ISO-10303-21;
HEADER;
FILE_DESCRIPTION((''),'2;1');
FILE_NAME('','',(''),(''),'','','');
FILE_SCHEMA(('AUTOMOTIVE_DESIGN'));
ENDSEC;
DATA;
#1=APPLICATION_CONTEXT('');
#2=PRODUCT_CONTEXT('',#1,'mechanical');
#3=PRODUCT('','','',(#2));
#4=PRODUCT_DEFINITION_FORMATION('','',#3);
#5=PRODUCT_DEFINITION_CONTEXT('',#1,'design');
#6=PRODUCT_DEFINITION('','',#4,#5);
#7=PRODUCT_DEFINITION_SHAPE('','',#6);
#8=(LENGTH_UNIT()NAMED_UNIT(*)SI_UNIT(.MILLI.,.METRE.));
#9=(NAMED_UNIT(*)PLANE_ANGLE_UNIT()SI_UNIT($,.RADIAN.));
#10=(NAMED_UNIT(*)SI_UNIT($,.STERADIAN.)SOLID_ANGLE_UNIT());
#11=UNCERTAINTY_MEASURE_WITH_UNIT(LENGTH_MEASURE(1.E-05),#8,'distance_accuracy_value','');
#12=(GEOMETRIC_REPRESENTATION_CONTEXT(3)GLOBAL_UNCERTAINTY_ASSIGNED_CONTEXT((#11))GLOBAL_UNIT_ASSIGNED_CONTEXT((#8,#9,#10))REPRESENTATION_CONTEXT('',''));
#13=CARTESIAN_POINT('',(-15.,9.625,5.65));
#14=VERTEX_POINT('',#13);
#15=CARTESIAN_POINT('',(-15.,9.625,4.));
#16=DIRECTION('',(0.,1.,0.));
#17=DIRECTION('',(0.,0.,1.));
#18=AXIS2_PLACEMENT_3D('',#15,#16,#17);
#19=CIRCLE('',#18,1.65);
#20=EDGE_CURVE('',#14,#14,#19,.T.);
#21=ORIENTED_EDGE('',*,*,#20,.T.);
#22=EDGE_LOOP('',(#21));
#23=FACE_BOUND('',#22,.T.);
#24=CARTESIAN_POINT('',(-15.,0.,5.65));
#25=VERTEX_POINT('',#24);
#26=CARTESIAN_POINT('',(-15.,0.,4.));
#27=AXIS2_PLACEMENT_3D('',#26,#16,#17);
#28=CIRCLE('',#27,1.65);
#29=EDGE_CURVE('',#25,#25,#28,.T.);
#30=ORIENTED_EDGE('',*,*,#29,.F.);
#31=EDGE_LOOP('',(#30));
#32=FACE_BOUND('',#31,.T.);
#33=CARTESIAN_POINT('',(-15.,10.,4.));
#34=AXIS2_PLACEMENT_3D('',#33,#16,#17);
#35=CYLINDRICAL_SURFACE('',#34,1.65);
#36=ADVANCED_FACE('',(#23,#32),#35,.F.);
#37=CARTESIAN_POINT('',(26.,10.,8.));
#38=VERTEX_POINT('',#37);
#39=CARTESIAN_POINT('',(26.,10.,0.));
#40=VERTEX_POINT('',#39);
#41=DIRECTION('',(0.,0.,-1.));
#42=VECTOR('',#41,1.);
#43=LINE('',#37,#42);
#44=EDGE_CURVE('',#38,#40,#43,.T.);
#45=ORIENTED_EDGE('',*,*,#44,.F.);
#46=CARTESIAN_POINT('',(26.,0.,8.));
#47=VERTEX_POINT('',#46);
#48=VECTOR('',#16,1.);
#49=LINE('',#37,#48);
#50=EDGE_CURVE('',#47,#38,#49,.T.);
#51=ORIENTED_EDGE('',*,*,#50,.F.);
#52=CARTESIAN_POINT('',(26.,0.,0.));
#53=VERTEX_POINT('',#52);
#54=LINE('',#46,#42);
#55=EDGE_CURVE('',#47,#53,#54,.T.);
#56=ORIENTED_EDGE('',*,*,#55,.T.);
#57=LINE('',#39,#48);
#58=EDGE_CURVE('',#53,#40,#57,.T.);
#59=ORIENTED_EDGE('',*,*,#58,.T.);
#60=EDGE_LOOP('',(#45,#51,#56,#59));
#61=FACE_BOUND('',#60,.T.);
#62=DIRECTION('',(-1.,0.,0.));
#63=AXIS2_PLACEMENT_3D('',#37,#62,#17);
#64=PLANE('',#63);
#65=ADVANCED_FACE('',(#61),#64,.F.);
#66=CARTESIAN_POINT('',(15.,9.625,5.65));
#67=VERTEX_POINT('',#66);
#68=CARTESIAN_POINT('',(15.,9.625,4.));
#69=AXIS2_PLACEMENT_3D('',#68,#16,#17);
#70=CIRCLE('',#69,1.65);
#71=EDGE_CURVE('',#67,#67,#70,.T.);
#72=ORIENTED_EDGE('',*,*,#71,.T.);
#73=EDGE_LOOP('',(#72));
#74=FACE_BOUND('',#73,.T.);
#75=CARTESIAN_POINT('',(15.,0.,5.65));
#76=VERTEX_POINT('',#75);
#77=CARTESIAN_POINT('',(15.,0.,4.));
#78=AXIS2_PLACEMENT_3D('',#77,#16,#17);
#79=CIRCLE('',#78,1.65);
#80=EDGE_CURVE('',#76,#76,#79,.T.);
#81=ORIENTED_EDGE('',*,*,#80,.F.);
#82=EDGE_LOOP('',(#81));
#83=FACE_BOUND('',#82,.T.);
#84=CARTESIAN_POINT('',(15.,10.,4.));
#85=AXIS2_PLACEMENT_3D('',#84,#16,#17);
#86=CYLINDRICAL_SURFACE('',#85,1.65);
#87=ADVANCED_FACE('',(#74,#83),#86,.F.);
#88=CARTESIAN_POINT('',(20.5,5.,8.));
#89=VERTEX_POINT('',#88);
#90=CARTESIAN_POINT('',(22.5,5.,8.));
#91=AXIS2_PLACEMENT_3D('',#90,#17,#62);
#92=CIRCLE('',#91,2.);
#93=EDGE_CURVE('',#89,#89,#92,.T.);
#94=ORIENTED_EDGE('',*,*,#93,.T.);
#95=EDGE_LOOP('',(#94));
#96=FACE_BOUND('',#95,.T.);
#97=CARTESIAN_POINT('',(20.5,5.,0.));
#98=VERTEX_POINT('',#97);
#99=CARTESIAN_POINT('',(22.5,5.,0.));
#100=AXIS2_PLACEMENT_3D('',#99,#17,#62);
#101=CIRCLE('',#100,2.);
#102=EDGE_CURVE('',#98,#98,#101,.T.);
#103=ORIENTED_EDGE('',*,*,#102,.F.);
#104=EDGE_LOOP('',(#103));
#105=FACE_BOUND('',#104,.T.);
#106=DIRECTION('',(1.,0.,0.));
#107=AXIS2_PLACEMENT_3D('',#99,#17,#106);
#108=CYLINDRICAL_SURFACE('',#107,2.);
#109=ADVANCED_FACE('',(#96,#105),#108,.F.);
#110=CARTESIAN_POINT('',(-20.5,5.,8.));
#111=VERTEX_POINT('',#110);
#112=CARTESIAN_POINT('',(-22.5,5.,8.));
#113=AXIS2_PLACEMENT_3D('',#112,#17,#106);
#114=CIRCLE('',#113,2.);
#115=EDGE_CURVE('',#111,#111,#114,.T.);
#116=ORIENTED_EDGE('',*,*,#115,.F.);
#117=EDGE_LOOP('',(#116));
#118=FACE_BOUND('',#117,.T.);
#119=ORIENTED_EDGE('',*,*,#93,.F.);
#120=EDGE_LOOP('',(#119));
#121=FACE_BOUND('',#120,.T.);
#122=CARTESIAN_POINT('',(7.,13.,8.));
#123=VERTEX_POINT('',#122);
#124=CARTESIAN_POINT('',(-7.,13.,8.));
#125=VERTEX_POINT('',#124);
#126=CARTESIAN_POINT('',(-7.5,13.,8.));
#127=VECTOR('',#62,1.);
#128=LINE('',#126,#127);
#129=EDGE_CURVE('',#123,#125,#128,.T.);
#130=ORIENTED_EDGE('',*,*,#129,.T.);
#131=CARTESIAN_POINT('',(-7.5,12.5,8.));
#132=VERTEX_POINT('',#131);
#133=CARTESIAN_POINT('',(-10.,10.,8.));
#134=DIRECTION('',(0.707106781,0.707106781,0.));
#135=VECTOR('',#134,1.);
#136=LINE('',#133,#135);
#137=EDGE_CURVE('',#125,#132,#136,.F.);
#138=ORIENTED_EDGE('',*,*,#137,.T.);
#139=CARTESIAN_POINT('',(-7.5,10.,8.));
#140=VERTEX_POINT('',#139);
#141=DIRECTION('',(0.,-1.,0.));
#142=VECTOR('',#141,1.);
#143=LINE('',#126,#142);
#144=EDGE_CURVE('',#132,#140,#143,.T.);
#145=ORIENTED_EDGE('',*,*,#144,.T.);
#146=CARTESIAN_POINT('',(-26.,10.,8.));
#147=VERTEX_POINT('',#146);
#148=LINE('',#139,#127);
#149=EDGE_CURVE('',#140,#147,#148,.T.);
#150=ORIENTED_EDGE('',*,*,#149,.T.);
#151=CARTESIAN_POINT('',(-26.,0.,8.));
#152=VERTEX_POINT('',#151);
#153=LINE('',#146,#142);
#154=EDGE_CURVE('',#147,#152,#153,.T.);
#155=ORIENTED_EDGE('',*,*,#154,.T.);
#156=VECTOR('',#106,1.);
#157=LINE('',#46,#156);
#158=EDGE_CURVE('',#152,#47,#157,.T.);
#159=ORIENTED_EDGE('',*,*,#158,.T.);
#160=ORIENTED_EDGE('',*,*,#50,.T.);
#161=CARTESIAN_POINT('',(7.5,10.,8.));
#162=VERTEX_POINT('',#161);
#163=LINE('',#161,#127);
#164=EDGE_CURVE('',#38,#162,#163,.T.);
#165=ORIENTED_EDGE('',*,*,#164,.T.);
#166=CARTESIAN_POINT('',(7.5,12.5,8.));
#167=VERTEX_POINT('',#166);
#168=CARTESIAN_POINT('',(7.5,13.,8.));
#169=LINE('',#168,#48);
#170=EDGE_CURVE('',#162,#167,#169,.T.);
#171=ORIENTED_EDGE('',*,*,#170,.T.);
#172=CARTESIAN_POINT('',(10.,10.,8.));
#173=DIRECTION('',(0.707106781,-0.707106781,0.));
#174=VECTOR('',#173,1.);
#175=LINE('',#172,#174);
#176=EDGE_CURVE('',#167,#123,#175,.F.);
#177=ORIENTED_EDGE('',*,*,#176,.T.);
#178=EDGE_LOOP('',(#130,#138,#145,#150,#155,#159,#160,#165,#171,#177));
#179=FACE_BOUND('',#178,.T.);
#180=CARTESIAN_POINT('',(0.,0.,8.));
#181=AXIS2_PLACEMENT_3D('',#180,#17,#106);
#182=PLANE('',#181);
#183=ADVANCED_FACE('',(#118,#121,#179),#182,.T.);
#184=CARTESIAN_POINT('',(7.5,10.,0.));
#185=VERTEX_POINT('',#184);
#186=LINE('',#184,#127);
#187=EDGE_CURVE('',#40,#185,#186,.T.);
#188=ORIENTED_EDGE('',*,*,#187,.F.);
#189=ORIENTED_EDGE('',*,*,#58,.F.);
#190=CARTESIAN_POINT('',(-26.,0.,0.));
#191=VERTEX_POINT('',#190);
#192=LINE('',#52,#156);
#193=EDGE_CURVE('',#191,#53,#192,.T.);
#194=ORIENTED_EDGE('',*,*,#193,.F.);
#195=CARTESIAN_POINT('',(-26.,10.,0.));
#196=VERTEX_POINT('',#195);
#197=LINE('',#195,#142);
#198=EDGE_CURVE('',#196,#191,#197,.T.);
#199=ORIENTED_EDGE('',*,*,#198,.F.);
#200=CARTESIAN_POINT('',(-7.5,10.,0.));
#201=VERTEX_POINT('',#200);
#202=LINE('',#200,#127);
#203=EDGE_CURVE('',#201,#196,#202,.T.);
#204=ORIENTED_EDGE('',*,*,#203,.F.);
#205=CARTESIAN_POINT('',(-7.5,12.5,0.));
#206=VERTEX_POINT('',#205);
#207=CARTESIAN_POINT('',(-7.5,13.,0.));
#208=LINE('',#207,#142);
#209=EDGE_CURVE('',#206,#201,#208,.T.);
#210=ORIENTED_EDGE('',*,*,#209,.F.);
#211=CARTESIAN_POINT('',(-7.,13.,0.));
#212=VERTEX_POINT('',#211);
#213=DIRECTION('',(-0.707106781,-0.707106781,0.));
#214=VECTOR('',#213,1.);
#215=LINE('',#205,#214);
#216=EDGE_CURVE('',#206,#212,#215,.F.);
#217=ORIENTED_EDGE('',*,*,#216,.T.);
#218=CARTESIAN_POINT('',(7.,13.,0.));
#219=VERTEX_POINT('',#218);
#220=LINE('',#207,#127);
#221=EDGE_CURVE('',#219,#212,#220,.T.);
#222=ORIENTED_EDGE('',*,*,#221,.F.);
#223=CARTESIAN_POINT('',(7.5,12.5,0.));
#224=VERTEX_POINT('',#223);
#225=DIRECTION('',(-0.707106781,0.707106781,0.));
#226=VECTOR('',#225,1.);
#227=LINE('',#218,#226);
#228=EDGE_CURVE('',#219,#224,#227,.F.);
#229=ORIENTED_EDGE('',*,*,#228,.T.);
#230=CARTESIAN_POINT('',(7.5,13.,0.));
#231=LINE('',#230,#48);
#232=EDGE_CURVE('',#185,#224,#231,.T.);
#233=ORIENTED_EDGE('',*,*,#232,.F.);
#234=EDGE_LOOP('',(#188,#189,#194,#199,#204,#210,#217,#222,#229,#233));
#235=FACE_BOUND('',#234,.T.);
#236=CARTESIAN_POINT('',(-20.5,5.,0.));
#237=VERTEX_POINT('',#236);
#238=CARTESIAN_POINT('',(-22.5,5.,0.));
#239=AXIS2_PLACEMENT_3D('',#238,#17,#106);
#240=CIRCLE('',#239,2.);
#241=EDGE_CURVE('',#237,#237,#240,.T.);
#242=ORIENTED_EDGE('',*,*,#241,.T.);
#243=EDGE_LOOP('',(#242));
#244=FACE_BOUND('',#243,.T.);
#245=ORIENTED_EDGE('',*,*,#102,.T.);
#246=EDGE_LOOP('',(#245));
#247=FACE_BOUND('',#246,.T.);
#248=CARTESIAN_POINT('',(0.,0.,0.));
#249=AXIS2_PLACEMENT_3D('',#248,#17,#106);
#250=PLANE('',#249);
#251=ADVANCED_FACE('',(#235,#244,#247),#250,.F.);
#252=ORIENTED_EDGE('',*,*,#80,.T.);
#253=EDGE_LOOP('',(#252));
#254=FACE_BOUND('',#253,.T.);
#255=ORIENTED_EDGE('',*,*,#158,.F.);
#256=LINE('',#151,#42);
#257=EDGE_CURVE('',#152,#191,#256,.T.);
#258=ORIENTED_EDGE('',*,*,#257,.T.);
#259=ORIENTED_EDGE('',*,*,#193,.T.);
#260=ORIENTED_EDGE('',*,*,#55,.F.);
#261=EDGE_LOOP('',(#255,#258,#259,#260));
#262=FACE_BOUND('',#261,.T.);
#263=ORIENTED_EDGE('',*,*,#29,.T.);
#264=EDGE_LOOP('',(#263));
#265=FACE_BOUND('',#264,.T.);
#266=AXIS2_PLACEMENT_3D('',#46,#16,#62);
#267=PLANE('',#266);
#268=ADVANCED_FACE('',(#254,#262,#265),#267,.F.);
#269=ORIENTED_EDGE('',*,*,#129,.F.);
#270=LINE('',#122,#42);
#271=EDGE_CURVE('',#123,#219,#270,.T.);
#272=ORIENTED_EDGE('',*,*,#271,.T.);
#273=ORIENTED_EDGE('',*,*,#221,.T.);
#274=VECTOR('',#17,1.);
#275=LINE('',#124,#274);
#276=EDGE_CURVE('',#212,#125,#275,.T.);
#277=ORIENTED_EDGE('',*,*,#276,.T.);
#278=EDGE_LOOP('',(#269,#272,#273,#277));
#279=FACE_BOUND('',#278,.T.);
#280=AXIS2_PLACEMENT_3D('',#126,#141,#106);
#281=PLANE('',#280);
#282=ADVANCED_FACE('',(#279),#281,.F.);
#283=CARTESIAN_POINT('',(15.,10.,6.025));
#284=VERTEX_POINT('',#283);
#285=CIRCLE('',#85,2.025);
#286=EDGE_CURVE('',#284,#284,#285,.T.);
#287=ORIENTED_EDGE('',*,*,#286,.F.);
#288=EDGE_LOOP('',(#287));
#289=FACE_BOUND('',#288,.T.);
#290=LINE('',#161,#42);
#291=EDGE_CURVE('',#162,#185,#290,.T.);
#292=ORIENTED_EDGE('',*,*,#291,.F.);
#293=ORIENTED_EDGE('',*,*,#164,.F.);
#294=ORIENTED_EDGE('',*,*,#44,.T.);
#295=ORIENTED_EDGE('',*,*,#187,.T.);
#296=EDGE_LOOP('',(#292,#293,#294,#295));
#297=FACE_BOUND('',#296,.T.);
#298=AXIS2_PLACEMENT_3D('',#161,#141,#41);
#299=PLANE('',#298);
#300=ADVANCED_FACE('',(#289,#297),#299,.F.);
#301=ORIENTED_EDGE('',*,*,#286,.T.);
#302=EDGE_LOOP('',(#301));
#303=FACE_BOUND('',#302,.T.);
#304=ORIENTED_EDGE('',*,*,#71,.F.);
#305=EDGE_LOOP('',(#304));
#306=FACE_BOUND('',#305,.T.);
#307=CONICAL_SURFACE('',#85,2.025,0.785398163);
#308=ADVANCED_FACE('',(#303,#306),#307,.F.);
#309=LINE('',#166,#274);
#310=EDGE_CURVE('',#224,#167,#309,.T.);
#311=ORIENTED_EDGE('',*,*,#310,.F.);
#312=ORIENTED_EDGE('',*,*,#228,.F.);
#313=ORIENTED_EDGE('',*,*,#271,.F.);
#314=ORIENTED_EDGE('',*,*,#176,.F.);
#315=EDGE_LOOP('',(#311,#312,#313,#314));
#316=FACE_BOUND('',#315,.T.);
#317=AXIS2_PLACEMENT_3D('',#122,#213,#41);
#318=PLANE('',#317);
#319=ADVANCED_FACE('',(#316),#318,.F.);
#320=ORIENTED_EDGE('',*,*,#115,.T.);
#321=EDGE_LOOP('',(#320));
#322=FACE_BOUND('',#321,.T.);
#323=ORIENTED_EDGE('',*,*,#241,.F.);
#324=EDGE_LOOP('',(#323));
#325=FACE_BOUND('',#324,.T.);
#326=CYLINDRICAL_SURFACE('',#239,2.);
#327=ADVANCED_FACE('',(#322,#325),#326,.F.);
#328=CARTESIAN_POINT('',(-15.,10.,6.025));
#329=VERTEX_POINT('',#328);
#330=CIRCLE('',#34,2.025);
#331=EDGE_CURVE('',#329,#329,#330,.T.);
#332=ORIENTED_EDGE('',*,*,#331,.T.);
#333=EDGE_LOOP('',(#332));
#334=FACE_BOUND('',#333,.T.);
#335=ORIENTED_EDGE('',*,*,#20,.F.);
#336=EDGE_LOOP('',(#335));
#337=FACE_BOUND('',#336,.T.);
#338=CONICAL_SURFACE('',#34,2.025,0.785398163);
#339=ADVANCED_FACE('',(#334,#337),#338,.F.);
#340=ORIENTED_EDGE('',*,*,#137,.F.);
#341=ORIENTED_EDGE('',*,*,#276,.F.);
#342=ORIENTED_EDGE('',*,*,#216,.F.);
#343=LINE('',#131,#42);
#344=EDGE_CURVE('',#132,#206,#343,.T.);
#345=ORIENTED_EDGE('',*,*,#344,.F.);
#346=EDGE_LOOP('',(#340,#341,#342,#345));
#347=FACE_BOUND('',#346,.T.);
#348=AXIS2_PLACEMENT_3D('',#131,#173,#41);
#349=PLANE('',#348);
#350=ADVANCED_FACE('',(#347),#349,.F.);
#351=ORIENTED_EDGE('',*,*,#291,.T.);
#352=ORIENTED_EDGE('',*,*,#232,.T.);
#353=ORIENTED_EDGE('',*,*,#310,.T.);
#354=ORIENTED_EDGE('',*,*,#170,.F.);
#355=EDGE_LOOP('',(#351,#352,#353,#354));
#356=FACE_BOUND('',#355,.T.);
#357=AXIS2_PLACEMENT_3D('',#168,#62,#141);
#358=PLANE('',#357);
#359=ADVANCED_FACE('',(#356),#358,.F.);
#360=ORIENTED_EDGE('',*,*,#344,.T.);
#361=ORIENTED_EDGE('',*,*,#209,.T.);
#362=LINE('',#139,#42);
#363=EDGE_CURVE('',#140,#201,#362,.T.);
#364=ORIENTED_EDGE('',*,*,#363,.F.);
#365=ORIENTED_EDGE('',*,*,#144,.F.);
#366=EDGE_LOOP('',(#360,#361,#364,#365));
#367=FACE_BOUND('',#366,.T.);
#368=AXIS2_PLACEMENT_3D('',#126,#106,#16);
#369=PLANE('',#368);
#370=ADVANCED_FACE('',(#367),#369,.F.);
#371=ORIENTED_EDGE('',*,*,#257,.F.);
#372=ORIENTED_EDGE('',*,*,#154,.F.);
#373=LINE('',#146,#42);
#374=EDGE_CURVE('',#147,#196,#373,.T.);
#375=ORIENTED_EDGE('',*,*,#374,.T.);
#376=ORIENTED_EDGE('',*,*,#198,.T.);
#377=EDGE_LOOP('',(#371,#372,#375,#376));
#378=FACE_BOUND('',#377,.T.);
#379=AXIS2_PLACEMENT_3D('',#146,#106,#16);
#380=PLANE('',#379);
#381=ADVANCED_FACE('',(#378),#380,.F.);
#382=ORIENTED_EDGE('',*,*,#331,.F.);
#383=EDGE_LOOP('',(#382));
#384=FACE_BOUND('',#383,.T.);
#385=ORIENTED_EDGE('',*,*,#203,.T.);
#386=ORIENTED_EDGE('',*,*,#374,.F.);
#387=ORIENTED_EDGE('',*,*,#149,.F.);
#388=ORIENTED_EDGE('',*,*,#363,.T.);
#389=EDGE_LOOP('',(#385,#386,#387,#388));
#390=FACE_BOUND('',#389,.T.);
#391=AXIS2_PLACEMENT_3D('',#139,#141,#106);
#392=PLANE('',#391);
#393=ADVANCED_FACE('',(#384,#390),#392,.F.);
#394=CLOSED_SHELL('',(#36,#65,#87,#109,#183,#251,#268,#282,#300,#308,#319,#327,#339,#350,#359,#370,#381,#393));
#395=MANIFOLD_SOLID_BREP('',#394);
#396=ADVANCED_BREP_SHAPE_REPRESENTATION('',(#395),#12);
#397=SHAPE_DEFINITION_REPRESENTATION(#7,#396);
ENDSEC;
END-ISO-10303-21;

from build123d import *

# Parameters (mm, degrees)
EXTRUDE_1_DEPTH              = 8
SKETCH_4_R                   = 2
CUT_EXTRUDE_3_DEPTH          = 31.149626863
HOLE_WIZARD_M4_1_D           = 3.3
HOLE_WIZARD_M4_1_DEPTH       = 10
HOLE_WIZARD_M4_1_CSINK_D     = 4.05
HOLE_WIZARD_M4_1_CSINK_ANGLE = 90
HOLE_WIZARD_M4_1_TIP         = 0.991420021
CHAMFER_1_SIZE               = 0.5


with BuildPart() as part:
    # 草图2 → 凸台-拉伸1 (new body)
    with BuildSketch(Plane.XY):
        Polygon((-7.5, 13), (7.5, 13), (7.5, 10), (26, 10), (26, 0), (-26, 0), (-26, 10), (-7.5, 10), align=None)
    extrude(amount=EXTRUDE_1_DEPTH)

    # 草图4 → 切除-拉伸3 (cut, through all)
    with BuildSketch(Plane.XY.offset(8)):
        with Locations((-22.5, 5)):
            Circle(SKETCH_4_R)
        with Locations(Location((22.5, 5, 0), (0, 0, 180))):
            Circle(SKETCH_4_R)
    extrude(amount=-CUT_EXTRUDE_3_DEPTH, mode=Mode.SUBTRACT)

    # M4 螺纹孔1
    with Locations(Plane(origin=(-15, 10, 4), x_dir=(1, 0, 0), z_dir=(0, 1, 0))):
        with Locations((0, 0), (30, 0)):
            CounterSinkHole(HOLE_WIZARD_M4_1_D / 2, HOLE_WIZARD_M4_1_CSINK_D / 2, depth=HOLE_WIZARD_M4_1_DEPTH, counter_sink_angle=HOLE_WIZARD_M4_1_CSINK_ANGLE)
            with Locations((0, 0, -(HOLE_WIZARD_M4_1_DEPTH + HOLE_WIZARD_M4_1_TIP / 2))):  # 118° drill point
                Cone(0, HOLE_WIZARD_M4_1_D / 2, HOLE_WIZARD_M4_1_TIP, mode=Mode.SUBTRACT)

    # 倒角1
    chamfer_1_edges = [part.edges().sort_by_distance(p)[0] for p in [
        (-7.5, 13, 4),
        (7.5, 13, 4),
    ]]
    chamfer(chamfer_1_edges, length=CHAMFER_1_SIZE)


solid = part.part
